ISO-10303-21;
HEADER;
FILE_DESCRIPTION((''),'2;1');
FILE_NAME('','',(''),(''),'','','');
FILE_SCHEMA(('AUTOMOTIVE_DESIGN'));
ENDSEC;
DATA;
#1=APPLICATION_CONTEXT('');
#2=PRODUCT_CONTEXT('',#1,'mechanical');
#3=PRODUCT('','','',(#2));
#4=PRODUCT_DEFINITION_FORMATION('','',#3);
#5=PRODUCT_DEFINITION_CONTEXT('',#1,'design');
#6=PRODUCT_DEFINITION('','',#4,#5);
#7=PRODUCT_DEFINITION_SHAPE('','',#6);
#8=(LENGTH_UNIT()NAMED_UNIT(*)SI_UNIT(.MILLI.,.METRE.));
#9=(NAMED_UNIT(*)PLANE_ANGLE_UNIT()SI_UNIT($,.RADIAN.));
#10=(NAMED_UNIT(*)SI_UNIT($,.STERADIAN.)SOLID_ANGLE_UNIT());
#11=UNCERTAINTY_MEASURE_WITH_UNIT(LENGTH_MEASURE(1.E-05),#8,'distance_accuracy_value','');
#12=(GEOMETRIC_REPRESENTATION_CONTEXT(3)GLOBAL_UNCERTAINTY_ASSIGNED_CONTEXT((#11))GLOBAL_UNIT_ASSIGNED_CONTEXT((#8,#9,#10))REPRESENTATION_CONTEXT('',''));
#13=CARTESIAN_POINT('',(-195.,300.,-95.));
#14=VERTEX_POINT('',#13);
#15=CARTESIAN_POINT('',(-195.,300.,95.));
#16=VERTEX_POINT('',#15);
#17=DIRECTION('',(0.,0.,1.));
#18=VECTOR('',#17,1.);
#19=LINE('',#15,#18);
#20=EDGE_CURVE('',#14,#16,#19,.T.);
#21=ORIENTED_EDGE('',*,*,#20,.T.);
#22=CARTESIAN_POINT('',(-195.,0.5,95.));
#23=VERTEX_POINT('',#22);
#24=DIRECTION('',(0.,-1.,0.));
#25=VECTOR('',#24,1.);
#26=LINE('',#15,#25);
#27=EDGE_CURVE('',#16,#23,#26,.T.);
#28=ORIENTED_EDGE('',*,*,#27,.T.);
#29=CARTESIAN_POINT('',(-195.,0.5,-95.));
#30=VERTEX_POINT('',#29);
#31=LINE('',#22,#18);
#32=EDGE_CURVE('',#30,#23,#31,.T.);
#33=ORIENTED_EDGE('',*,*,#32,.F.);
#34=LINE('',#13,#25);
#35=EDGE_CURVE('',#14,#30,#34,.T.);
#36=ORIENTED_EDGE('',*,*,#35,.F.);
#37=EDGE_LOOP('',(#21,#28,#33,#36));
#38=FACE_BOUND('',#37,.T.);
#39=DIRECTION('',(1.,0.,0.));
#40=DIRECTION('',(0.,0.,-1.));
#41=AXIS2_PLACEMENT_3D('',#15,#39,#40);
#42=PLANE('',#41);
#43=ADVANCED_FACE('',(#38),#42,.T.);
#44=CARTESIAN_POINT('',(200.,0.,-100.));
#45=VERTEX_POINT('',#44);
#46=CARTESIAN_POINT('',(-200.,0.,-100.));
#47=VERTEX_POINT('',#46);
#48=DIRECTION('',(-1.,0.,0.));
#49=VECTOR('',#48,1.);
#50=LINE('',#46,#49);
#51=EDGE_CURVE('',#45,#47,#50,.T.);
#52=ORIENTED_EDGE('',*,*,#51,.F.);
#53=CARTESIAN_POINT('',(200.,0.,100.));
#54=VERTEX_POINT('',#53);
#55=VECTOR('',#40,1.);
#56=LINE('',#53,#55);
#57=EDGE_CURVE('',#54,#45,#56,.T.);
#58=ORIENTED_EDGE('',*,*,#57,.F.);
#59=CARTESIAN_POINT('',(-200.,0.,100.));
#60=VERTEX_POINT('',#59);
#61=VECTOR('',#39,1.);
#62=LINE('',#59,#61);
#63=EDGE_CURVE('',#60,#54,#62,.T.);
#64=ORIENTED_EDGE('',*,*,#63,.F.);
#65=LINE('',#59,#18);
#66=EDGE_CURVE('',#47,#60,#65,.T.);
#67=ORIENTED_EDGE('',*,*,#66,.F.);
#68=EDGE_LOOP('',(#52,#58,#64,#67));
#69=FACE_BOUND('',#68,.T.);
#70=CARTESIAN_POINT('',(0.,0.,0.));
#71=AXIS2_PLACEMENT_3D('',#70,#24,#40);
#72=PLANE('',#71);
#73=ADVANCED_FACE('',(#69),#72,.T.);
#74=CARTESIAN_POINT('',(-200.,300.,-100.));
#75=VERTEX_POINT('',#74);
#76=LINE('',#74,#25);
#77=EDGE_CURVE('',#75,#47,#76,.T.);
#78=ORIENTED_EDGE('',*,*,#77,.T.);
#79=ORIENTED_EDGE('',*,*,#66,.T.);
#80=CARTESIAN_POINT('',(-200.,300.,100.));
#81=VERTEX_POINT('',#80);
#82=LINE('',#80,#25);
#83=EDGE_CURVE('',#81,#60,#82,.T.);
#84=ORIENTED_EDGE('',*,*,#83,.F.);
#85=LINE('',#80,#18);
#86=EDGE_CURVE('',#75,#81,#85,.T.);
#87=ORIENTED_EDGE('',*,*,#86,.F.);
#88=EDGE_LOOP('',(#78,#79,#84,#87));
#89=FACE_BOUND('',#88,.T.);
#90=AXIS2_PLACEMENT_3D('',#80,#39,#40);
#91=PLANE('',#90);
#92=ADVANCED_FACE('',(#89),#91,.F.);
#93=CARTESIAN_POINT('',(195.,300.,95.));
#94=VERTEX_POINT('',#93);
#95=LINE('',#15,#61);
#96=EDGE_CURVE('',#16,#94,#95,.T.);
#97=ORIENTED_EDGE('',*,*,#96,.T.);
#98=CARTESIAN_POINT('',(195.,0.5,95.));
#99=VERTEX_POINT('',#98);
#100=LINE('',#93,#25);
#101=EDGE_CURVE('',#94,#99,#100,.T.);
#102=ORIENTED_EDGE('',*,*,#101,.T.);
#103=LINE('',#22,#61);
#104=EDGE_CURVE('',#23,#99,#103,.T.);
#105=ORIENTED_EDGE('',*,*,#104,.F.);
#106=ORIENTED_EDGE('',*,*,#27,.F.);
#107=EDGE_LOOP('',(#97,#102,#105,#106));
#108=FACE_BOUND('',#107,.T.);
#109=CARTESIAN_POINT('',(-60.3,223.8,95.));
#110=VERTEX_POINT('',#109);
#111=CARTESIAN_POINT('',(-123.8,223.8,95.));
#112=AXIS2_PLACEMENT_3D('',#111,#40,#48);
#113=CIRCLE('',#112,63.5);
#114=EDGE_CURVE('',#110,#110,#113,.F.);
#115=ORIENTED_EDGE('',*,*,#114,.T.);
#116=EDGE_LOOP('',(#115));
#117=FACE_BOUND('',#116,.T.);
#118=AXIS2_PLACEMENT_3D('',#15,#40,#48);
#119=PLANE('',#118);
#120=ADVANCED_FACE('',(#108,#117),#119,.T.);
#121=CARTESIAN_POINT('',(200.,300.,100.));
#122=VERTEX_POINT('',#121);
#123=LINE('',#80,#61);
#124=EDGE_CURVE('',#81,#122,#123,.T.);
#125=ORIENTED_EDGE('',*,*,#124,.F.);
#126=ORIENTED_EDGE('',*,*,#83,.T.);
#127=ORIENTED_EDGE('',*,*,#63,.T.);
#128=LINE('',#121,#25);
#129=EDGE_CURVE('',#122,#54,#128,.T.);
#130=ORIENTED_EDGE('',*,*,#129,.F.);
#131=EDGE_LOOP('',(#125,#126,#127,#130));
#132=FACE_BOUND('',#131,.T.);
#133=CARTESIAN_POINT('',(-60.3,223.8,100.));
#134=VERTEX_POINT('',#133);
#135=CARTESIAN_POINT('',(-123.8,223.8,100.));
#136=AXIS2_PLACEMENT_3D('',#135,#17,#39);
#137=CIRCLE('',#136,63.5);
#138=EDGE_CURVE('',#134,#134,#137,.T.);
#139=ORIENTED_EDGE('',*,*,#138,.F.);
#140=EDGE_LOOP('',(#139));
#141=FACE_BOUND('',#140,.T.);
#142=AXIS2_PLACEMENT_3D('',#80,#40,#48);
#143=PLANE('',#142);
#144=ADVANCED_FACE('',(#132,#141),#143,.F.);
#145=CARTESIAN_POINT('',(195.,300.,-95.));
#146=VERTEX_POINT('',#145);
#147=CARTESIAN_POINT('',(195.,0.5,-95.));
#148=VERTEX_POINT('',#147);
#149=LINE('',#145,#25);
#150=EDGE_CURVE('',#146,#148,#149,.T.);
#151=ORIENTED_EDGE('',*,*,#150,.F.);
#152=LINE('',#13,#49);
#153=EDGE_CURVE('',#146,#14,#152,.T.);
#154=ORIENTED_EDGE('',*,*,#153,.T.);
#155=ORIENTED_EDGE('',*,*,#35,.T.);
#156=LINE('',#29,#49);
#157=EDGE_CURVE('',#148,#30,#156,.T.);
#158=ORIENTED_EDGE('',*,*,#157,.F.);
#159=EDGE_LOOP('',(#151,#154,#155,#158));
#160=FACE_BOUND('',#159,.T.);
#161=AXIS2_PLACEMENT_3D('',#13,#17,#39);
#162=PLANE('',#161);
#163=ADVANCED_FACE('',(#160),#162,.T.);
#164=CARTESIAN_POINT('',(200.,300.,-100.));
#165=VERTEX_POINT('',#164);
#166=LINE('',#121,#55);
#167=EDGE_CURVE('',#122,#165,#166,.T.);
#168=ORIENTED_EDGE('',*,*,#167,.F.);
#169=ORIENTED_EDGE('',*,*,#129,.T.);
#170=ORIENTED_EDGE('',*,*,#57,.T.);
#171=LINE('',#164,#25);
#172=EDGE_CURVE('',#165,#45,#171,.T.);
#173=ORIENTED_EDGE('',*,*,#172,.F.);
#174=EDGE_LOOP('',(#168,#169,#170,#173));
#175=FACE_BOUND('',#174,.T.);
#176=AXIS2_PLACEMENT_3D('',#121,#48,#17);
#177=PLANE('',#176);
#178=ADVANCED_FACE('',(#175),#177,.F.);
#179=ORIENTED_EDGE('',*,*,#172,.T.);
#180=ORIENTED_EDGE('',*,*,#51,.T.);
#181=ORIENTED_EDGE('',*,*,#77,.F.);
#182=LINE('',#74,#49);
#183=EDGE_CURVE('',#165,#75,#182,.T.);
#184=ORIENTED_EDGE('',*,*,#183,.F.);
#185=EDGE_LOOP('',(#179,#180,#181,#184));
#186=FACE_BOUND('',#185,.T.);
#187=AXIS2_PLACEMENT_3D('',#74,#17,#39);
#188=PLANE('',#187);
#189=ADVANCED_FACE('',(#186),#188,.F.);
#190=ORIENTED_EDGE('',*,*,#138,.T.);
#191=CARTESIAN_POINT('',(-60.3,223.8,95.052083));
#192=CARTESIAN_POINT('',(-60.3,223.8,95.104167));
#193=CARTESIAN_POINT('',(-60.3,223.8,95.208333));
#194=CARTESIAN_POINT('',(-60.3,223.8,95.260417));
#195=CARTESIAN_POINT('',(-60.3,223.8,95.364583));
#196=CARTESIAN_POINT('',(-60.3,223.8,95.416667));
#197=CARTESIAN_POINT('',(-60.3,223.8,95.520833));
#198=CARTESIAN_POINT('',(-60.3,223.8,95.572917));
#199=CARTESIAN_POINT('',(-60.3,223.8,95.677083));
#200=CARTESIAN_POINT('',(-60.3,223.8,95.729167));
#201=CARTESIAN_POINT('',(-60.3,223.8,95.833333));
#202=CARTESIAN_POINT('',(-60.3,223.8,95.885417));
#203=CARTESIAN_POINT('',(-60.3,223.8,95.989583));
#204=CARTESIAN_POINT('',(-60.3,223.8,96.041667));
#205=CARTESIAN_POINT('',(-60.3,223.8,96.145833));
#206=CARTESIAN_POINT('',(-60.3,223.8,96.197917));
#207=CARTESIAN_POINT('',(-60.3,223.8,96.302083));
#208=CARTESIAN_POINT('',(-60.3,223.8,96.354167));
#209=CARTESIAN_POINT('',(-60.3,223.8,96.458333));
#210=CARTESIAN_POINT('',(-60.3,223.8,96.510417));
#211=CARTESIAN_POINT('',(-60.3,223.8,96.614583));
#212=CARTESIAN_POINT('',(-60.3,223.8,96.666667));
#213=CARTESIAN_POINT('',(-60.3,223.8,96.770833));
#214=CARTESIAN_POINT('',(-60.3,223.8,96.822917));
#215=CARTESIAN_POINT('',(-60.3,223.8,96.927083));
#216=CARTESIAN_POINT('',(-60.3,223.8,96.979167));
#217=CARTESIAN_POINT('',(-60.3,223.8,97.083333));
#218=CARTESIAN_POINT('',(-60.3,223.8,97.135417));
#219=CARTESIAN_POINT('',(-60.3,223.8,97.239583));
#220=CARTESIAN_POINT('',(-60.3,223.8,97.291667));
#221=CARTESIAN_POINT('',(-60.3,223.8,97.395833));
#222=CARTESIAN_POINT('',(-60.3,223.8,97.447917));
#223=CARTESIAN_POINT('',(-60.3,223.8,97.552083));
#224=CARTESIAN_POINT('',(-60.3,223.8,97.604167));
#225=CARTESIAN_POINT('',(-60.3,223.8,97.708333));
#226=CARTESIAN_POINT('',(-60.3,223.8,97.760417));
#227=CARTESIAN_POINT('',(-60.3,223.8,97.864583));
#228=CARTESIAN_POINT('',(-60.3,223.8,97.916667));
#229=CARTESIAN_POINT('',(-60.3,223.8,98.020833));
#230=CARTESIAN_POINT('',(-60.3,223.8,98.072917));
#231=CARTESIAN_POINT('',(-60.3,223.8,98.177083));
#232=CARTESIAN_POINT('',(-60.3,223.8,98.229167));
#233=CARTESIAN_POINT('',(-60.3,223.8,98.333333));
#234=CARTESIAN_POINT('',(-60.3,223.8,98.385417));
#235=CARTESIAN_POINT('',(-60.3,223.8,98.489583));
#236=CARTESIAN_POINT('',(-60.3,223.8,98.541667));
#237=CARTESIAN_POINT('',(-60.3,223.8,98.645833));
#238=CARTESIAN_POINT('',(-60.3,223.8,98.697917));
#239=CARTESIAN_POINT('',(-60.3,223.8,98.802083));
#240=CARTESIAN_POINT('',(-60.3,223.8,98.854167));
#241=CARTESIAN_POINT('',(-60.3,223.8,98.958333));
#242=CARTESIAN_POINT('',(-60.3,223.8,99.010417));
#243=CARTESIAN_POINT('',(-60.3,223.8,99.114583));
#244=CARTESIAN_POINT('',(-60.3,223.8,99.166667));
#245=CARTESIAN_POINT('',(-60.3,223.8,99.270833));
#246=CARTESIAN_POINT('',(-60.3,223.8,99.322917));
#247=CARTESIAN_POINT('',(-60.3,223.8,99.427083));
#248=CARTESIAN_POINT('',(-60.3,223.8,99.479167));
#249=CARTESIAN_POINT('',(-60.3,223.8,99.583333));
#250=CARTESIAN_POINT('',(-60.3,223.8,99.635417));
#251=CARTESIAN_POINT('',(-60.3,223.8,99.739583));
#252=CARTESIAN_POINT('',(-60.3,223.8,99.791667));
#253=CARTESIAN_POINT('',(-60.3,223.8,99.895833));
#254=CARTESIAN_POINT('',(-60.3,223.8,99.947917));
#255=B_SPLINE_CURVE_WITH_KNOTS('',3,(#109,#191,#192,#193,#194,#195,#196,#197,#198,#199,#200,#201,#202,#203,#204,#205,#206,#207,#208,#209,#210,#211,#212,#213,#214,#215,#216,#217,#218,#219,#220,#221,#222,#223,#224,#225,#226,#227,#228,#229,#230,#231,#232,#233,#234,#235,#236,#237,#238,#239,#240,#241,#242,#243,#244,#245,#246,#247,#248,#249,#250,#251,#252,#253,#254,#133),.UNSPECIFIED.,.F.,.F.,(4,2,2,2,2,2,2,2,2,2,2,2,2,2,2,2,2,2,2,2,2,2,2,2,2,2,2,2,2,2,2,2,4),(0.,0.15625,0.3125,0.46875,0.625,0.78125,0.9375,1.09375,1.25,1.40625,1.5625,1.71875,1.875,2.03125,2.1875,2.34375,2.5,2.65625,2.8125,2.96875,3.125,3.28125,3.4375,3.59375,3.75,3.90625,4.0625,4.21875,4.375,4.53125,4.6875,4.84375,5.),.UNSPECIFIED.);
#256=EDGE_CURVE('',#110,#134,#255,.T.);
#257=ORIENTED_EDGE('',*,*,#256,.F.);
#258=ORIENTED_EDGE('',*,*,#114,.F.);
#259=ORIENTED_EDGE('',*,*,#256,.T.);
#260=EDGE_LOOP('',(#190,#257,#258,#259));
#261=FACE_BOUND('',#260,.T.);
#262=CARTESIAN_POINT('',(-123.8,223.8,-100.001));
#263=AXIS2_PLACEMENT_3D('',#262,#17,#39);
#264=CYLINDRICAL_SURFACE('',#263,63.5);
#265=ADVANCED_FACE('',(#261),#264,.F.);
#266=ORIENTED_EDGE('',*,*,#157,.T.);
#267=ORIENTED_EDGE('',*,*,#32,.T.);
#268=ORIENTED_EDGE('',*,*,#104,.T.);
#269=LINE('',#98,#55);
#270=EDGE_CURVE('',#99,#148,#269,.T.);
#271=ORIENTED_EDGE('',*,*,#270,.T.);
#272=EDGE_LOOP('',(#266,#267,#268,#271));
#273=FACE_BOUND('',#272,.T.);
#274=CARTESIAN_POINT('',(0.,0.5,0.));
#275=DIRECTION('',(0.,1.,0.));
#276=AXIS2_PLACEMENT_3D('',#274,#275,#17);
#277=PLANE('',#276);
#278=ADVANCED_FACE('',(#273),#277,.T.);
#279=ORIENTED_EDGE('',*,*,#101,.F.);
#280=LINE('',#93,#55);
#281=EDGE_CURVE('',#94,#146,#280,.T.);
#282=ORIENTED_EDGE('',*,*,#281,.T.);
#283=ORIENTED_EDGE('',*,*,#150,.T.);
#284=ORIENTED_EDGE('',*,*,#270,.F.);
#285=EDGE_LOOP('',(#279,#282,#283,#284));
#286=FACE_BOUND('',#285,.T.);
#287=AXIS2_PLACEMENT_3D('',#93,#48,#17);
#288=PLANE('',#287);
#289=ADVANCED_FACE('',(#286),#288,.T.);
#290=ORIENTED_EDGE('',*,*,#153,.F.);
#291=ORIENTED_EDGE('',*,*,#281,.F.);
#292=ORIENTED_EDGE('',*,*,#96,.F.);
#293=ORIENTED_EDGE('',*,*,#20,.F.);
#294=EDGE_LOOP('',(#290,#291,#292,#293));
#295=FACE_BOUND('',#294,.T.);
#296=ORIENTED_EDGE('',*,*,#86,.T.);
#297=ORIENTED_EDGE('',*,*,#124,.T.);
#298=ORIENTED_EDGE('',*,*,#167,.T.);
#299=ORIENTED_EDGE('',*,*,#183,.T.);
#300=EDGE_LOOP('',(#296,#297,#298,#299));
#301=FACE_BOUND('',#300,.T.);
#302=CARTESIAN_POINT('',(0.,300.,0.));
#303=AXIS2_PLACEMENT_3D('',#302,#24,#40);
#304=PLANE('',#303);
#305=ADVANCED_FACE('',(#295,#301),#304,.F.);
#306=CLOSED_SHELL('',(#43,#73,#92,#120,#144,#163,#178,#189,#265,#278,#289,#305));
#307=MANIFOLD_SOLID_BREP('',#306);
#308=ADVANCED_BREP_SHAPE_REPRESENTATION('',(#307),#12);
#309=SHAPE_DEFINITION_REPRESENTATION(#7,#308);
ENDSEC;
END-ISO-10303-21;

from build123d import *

# Parameters (mm, degrees)
SKETCH1_W           = 400
SKETCH1_H           = 200
SKETCH1_W_2         = 390
SKETCH1_H_2         = 190
BOSS_EXTRUDE1_DEPTH = 300
CUT_EXTRUDE1_REACH  = 414.311
SKETCH7_R           = 63.5
SKETCH8_W           = 400
SKETCH8_H           = 200
BOSS_EXTRUDE2_DEPTH = 0.5


with BuildPart() as part:
    # Sketch1 → Boss-Extrude1 (new body)
    with BuildSketch(Plane(origin=(0, 0, 0), x_dir=(1, 0, 0), z_dir=(0, 1, 0))):
        Rectangle(SKETCH1_W, SKETCH1_H)
        Rectangle(SKETCH1_W_2, SKETCH1_H_2, mode=Mode.SUBTRACT)
    extrude(amount=BOSS_EXTRUDE1_DEPTH)

    # Sketch7 → Cut-Extrude1 (cut, up to next)
    with BuildSketch(Plane.XY.offset(100), mode=Mode.PRIVATE) as cut_extrude1_sk1:
        with Locations((-123.8, 223.8)):
            Circle(SKETCH7_R)
    cut_extrude1_tool1 = extrude(cut_extrude1_sk1.sketch, amount=-CUT_EXTRUDE1_REACH, mode=Mode.PRIVATE) & part.part
    add(cut_extrude1_tool1.solids().sort_by_distance((-123.8, 223.8, 100))[0], mode=Mode.SUBTRACT)

    # Sketch8 → Boss-Extrude2 (add)
    with BuildSketch(Plane.XZ):
        Rectangle(SKETCH8_W, SKETCH8_H)
    extrude(amount=-BOSS_EXTRUDE2_DEPTH)


solid = part.part
